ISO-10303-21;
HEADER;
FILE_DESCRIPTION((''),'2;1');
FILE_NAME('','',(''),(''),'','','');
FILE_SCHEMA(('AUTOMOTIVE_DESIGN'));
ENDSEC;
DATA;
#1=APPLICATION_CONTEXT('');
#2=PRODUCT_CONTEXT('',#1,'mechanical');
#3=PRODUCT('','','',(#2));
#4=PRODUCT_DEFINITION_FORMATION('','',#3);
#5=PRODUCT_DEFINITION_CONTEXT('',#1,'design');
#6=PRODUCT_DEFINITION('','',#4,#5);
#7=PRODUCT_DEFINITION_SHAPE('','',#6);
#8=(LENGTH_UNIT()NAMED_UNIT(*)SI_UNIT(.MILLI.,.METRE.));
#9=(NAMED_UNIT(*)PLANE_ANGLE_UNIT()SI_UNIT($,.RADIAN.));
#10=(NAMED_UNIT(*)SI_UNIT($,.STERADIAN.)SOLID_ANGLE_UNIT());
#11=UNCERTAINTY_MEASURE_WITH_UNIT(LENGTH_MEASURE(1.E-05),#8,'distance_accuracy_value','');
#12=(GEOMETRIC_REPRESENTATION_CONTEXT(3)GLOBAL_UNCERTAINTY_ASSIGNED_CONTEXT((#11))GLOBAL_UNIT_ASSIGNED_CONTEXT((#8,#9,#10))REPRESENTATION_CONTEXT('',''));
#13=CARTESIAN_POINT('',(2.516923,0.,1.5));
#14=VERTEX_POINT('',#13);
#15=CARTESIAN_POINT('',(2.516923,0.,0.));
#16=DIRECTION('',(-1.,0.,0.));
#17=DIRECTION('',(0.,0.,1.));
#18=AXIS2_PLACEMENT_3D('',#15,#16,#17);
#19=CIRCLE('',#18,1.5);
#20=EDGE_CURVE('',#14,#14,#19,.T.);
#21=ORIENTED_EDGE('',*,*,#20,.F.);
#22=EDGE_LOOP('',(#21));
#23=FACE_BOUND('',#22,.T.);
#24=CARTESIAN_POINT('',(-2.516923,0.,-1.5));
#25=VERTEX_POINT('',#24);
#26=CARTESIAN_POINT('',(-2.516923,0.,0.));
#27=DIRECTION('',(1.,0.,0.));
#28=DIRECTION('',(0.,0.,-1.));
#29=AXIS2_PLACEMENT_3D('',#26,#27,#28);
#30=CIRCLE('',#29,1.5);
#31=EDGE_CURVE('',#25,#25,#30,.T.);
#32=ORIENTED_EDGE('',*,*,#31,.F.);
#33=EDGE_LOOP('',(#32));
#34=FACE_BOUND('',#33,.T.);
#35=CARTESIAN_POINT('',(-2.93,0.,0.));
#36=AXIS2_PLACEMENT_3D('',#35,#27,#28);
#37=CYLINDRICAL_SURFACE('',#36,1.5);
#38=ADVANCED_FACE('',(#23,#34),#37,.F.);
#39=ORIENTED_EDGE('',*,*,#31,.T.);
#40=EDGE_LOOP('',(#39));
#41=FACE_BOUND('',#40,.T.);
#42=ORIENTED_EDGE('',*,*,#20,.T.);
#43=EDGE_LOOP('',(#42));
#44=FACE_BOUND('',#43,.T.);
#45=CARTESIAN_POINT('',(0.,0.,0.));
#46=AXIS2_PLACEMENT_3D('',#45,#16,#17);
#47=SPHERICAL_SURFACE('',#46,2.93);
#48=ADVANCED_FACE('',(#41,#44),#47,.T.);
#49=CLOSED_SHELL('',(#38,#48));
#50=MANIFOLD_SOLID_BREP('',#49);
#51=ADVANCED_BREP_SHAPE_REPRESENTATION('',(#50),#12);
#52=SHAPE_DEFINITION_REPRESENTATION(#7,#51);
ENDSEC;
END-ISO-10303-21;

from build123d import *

# Parameters (mm, degrees)
SKETCH2_R               = 1.5
CUT_EXTRUDE1_DEPTH      = 3.93
CUT_EXTRUDE1_DEPTH_BACK = 3.93


with BuildPart() as part:
    # Sketch1 → Revolve1 (revolve)
    with BuildSketch(Plane.XY):
        with BuildLine():
            Line((0, 2.93), (0, -2.93))
            ThreePointArc((0, -2.93), (2.93, 0), (0, 2.93))
        make_face()
    revolve(axis=Axis((0, 11.641323178, 0), (0, -1, 0)))

    # Sketch2 → Cut-Extrude1 (cut, two sides)
    with BuildSketch(Plane(origin=(0, 0, 0), x_dir=(0, 0, -1), z_dir=(1, 0, 0))) as cut_extrude1_sk:
        Circle(SKETCH2_R)
    extrude(amount=CUT_EXTRUDE1_DEPTH, mode=Mode.SUBTRACT)
    extrude(cut_extrude1_sk.sketch, amount=-CUT_EXTRUDE1_DEPTH_BACK, mode=Mode.SUBTRACT)


solid = part.part
